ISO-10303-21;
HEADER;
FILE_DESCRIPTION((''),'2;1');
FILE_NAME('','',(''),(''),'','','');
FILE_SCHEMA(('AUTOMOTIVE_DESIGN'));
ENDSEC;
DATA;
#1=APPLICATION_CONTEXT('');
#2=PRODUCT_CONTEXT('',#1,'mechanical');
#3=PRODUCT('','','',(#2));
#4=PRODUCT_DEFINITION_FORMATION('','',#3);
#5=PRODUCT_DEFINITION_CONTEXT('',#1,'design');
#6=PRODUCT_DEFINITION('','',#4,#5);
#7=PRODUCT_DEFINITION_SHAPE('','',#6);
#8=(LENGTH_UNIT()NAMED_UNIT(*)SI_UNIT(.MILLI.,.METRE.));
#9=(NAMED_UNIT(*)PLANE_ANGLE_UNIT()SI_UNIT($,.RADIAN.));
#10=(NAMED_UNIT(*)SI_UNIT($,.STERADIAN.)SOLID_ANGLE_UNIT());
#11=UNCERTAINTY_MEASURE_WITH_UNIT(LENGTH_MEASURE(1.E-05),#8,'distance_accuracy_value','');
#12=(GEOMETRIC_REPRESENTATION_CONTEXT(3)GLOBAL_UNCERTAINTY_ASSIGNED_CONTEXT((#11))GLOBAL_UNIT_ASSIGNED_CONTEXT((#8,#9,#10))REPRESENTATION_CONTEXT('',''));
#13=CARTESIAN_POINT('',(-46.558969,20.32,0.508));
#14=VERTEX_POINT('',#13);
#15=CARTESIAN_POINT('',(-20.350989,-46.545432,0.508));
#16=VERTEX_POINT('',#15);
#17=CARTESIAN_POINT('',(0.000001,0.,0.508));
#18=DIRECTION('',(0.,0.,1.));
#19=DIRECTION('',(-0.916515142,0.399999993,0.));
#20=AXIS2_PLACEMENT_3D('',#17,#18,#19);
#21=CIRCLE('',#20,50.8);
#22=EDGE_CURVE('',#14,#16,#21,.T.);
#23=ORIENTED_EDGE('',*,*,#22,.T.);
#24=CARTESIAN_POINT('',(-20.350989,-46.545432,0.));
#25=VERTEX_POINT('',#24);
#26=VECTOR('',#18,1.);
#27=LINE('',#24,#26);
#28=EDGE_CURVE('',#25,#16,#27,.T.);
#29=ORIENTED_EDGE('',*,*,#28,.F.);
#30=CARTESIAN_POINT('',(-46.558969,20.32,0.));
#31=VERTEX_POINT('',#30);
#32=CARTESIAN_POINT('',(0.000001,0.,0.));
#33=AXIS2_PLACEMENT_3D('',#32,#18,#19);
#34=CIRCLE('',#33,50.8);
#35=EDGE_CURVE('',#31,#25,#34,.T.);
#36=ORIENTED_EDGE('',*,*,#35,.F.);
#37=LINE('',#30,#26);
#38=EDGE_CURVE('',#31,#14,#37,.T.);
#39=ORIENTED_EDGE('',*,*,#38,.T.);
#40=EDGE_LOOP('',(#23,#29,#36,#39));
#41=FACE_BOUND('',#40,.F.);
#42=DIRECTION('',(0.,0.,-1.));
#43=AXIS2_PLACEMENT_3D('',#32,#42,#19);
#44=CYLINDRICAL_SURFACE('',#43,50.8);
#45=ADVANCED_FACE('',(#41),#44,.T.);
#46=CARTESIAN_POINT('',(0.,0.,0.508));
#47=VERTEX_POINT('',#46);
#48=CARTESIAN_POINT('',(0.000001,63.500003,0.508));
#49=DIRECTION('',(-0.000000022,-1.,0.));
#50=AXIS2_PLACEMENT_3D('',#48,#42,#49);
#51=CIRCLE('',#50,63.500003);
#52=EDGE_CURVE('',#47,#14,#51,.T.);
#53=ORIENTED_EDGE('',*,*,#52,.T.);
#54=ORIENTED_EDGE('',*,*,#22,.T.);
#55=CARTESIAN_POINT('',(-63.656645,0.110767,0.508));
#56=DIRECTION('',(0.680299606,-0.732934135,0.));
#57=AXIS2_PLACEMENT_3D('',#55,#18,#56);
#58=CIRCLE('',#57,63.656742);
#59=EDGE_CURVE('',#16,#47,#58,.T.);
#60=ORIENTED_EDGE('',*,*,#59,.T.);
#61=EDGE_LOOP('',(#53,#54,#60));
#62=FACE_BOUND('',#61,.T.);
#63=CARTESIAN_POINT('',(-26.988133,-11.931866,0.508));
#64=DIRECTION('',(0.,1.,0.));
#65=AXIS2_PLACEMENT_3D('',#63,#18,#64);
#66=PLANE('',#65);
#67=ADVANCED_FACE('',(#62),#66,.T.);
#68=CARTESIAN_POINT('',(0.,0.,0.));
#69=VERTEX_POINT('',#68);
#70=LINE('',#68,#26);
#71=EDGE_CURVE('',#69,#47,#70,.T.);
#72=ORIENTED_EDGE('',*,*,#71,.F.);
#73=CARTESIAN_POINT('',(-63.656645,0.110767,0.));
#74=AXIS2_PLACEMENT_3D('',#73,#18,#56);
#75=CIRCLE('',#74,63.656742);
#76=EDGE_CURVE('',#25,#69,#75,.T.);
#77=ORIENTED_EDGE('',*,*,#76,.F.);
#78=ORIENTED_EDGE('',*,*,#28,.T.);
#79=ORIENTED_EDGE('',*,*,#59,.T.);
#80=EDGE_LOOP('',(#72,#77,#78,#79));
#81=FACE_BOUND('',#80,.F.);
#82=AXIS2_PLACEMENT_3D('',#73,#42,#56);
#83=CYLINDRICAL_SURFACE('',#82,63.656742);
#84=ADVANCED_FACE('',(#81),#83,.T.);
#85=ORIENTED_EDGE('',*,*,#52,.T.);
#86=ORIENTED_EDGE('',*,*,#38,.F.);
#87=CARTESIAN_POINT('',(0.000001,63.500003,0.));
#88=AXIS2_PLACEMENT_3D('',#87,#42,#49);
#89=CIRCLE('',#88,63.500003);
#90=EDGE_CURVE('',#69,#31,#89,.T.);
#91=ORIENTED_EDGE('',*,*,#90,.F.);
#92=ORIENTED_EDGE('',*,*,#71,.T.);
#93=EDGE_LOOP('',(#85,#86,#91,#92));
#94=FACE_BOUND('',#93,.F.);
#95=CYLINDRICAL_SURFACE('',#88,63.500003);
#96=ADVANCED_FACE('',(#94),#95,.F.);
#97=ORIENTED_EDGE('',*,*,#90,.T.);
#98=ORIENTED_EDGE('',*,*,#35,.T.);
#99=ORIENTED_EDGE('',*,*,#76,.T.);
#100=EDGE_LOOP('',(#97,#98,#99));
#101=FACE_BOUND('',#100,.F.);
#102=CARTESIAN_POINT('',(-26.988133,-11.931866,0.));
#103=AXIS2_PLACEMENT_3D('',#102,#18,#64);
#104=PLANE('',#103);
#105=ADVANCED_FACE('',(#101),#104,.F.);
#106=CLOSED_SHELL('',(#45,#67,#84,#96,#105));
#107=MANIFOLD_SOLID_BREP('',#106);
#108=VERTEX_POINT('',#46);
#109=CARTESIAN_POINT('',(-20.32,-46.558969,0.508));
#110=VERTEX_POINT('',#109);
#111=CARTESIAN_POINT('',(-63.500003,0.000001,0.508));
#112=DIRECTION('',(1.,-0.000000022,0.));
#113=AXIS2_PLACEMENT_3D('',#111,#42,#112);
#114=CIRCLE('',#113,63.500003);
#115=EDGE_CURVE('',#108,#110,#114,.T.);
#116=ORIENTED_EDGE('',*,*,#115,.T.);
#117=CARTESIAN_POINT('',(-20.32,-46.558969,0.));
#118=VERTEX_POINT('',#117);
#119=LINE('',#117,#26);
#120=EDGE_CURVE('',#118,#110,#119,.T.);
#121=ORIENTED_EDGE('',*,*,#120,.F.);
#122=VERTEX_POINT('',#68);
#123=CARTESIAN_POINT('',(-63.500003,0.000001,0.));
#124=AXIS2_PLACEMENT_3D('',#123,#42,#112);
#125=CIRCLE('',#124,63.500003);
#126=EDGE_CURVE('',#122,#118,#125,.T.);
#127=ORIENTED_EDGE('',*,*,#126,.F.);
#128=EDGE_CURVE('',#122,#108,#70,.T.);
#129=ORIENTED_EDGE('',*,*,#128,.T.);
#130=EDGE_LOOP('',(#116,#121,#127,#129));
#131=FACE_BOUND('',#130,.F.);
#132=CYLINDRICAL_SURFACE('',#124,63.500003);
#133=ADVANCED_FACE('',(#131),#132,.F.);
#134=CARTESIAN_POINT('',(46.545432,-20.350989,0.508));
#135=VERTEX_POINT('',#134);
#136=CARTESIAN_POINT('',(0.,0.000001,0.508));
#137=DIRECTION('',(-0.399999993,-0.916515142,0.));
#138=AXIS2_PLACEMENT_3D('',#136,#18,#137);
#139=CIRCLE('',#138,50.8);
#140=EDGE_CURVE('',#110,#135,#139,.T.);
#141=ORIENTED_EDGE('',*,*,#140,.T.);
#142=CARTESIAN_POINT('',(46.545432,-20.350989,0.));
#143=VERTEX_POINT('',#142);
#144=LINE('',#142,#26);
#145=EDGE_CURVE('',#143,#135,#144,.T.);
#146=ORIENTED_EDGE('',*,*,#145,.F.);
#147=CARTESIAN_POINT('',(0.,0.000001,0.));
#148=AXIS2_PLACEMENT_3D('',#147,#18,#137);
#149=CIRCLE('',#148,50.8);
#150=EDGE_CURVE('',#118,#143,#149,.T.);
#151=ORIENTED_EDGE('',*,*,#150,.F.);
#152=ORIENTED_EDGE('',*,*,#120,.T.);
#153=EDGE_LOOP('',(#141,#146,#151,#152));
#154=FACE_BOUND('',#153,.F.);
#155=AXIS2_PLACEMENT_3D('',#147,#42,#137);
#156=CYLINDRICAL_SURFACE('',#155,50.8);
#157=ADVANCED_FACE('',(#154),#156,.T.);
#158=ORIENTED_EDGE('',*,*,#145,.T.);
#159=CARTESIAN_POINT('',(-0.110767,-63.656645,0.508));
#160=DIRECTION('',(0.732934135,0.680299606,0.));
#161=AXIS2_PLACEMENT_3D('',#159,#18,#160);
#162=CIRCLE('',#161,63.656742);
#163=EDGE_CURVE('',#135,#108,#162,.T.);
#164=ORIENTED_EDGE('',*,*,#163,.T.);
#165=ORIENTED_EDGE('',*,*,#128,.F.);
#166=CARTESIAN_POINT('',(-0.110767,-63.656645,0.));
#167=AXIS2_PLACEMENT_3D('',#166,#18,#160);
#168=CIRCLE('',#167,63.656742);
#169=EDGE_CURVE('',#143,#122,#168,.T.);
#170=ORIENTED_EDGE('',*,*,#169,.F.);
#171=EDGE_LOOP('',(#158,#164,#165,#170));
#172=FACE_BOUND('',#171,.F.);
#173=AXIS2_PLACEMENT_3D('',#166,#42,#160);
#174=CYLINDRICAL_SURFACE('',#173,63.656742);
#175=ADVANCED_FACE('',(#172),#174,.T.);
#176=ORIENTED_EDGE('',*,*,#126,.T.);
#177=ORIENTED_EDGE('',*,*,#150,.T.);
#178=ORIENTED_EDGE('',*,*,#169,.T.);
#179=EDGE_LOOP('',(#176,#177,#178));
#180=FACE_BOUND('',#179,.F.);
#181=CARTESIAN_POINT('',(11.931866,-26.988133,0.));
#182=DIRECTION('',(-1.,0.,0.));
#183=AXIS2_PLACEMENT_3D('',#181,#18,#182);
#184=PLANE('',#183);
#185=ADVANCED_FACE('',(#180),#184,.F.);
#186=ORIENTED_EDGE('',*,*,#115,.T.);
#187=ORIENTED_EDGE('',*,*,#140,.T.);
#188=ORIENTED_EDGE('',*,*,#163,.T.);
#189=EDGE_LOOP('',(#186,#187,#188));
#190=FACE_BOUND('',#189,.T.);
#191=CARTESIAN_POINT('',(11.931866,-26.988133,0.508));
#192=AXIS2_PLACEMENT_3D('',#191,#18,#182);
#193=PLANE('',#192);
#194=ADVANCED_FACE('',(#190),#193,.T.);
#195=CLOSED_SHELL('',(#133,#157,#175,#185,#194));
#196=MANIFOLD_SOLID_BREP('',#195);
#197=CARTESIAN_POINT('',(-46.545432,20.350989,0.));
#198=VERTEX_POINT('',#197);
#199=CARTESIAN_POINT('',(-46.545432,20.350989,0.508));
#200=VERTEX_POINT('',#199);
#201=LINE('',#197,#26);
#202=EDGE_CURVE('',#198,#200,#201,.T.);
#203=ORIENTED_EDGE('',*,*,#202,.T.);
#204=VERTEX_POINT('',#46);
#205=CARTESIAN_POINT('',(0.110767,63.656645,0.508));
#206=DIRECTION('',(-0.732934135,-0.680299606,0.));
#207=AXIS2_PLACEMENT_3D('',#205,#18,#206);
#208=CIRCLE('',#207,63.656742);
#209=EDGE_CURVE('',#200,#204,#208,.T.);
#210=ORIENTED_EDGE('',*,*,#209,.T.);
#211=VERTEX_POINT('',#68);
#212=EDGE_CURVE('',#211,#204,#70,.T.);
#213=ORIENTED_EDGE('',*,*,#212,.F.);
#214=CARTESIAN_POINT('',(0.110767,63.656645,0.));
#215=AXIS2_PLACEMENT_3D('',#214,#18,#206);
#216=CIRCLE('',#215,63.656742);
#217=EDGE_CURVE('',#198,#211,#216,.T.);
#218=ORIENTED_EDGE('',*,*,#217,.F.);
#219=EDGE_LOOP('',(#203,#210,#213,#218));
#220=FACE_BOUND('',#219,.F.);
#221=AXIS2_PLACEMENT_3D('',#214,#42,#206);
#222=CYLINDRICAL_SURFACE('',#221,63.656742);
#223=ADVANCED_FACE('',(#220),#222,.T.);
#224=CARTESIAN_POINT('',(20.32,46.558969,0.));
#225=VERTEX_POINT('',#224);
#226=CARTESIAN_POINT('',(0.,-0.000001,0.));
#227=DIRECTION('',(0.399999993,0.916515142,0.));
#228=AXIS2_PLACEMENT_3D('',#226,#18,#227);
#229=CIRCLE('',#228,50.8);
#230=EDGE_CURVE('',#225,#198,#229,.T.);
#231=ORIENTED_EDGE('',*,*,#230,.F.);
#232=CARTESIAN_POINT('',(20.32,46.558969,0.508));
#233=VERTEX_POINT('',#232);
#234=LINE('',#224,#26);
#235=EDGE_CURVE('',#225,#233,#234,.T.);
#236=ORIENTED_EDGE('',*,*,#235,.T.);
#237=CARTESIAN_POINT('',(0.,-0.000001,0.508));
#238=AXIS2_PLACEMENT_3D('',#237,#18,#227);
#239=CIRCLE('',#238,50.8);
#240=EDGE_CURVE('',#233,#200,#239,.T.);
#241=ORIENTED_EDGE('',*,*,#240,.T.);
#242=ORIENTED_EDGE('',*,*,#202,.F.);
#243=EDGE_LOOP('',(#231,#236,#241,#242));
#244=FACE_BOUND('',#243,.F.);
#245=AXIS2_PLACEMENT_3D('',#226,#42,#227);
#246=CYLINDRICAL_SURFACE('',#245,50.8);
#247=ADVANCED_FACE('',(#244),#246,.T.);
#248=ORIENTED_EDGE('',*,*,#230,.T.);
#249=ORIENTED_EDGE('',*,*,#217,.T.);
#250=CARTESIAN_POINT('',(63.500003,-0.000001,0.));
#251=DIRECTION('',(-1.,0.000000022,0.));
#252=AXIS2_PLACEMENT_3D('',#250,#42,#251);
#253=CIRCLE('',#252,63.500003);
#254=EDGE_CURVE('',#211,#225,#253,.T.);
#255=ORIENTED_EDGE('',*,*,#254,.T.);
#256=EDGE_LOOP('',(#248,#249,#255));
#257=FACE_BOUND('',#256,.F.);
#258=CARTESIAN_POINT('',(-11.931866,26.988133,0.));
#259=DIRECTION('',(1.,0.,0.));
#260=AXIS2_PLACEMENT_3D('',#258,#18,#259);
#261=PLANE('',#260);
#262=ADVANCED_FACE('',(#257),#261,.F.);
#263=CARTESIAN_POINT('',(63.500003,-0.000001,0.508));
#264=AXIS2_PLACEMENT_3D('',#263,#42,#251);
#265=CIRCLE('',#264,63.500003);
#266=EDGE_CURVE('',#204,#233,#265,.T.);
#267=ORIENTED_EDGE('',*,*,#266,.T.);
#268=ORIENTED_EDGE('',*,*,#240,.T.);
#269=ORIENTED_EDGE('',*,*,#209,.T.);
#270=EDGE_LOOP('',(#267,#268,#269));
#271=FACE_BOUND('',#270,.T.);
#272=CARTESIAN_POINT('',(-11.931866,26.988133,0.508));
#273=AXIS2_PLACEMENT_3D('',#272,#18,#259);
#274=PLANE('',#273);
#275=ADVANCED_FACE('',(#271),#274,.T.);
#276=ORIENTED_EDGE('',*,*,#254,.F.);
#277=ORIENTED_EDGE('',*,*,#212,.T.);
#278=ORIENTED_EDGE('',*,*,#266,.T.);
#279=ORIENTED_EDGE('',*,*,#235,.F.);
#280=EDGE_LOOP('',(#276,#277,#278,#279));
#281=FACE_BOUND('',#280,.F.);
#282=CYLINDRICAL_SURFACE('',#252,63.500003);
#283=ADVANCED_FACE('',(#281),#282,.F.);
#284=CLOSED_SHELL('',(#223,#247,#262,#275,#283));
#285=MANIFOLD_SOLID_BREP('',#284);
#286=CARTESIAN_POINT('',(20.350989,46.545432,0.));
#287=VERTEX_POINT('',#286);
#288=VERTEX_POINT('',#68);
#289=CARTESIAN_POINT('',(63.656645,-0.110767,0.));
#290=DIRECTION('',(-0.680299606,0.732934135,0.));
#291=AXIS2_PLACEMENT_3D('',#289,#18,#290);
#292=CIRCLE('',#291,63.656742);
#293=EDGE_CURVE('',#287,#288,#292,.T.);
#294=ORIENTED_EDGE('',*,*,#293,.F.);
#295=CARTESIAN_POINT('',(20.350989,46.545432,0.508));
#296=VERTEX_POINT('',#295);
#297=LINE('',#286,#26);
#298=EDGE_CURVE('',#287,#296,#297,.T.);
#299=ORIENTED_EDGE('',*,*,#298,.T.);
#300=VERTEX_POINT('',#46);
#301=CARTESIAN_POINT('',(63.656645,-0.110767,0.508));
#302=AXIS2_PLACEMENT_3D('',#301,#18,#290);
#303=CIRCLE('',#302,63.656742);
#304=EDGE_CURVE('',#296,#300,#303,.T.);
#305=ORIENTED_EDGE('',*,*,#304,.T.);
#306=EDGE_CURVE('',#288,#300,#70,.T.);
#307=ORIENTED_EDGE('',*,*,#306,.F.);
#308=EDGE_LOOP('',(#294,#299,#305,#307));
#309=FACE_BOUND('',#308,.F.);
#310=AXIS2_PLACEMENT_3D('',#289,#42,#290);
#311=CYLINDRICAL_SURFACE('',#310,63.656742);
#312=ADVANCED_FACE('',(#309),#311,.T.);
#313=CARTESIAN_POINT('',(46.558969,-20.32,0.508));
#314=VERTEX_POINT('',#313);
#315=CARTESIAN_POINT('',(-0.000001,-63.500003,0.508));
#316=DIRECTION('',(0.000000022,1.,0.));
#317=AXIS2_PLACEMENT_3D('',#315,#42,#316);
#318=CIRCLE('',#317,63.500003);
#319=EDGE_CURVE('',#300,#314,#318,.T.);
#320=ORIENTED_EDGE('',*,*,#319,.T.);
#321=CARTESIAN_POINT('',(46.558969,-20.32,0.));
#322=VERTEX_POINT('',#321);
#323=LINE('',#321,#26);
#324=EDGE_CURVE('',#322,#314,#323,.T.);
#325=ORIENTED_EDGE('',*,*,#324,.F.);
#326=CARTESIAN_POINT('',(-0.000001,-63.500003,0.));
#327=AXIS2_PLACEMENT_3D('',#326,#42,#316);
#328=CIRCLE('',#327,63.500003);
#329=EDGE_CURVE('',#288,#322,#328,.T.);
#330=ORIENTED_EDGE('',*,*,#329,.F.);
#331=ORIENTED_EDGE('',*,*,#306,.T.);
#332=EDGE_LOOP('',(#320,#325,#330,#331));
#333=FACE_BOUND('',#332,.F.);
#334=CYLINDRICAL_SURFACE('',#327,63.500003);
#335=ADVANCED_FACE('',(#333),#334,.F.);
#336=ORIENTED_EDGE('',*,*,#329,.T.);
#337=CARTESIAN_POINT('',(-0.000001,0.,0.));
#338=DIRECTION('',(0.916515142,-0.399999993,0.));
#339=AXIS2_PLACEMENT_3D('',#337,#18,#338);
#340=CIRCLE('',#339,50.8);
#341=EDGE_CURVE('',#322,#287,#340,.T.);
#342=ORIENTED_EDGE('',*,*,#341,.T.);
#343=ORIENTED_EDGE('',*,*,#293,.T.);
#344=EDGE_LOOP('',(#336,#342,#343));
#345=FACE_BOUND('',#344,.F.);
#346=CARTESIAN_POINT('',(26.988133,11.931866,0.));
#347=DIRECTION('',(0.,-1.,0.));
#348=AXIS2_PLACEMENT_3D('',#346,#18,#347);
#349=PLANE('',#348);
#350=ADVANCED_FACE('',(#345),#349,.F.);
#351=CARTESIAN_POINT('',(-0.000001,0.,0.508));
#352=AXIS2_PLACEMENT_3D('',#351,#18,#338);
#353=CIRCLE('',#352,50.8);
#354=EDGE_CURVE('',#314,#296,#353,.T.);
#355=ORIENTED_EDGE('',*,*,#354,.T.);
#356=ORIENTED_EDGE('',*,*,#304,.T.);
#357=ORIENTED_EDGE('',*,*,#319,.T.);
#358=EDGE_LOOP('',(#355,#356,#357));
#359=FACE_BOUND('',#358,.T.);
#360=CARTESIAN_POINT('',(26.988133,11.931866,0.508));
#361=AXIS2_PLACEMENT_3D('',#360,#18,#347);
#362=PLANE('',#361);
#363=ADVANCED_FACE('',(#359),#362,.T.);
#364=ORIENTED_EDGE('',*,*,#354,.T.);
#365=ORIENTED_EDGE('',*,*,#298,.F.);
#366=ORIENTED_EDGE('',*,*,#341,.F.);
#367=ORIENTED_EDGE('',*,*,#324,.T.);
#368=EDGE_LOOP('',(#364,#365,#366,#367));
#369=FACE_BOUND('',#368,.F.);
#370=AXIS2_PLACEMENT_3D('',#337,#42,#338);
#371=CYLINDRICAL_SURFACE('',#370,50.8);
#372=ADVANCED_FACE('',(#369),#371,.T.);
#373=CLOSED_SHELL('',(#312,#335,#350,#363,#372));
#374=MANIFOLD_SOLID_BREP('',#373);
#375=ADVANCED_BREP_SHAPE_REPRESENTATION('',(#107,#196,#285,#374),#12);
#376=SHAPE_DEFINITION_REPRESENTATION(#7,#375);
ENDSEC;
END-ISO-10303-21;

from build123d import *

# Parameters (mm, degrees)
F1_DEPTH = 0.508
F2_COUNT = 4


with BuildPart() as f1:
    # F0 (on Top) → F1 (new body)
    with BuildSketch(Plane.XY):
        with BuildLine():
            ThreePointArc((20.32, 46.558969), (-18.538012, 47.296745), (-46.545432, 20.350989))
            ThreePointArc((-46.545432, 20.350989), (-25.390762, 5.331241), (0, 0))
            ThreePointArc((0, 0), (5.301289, 25.4), (20.32, 46.558969))
        make_face()
    extrude(amount=F1_DEPTH)

    # F2: F1 ×4 about axis
    f2_axis = Axis((0, 0, 0.254), (0, 0, 1))


with BuildPart() as f1_1:
    add(f1.part)
    for i in range(1, F2_COUNT):
        add(f1.part.rotate(f2_axis, i * 360 / F2_COUNT))


solid = f1_1.part
